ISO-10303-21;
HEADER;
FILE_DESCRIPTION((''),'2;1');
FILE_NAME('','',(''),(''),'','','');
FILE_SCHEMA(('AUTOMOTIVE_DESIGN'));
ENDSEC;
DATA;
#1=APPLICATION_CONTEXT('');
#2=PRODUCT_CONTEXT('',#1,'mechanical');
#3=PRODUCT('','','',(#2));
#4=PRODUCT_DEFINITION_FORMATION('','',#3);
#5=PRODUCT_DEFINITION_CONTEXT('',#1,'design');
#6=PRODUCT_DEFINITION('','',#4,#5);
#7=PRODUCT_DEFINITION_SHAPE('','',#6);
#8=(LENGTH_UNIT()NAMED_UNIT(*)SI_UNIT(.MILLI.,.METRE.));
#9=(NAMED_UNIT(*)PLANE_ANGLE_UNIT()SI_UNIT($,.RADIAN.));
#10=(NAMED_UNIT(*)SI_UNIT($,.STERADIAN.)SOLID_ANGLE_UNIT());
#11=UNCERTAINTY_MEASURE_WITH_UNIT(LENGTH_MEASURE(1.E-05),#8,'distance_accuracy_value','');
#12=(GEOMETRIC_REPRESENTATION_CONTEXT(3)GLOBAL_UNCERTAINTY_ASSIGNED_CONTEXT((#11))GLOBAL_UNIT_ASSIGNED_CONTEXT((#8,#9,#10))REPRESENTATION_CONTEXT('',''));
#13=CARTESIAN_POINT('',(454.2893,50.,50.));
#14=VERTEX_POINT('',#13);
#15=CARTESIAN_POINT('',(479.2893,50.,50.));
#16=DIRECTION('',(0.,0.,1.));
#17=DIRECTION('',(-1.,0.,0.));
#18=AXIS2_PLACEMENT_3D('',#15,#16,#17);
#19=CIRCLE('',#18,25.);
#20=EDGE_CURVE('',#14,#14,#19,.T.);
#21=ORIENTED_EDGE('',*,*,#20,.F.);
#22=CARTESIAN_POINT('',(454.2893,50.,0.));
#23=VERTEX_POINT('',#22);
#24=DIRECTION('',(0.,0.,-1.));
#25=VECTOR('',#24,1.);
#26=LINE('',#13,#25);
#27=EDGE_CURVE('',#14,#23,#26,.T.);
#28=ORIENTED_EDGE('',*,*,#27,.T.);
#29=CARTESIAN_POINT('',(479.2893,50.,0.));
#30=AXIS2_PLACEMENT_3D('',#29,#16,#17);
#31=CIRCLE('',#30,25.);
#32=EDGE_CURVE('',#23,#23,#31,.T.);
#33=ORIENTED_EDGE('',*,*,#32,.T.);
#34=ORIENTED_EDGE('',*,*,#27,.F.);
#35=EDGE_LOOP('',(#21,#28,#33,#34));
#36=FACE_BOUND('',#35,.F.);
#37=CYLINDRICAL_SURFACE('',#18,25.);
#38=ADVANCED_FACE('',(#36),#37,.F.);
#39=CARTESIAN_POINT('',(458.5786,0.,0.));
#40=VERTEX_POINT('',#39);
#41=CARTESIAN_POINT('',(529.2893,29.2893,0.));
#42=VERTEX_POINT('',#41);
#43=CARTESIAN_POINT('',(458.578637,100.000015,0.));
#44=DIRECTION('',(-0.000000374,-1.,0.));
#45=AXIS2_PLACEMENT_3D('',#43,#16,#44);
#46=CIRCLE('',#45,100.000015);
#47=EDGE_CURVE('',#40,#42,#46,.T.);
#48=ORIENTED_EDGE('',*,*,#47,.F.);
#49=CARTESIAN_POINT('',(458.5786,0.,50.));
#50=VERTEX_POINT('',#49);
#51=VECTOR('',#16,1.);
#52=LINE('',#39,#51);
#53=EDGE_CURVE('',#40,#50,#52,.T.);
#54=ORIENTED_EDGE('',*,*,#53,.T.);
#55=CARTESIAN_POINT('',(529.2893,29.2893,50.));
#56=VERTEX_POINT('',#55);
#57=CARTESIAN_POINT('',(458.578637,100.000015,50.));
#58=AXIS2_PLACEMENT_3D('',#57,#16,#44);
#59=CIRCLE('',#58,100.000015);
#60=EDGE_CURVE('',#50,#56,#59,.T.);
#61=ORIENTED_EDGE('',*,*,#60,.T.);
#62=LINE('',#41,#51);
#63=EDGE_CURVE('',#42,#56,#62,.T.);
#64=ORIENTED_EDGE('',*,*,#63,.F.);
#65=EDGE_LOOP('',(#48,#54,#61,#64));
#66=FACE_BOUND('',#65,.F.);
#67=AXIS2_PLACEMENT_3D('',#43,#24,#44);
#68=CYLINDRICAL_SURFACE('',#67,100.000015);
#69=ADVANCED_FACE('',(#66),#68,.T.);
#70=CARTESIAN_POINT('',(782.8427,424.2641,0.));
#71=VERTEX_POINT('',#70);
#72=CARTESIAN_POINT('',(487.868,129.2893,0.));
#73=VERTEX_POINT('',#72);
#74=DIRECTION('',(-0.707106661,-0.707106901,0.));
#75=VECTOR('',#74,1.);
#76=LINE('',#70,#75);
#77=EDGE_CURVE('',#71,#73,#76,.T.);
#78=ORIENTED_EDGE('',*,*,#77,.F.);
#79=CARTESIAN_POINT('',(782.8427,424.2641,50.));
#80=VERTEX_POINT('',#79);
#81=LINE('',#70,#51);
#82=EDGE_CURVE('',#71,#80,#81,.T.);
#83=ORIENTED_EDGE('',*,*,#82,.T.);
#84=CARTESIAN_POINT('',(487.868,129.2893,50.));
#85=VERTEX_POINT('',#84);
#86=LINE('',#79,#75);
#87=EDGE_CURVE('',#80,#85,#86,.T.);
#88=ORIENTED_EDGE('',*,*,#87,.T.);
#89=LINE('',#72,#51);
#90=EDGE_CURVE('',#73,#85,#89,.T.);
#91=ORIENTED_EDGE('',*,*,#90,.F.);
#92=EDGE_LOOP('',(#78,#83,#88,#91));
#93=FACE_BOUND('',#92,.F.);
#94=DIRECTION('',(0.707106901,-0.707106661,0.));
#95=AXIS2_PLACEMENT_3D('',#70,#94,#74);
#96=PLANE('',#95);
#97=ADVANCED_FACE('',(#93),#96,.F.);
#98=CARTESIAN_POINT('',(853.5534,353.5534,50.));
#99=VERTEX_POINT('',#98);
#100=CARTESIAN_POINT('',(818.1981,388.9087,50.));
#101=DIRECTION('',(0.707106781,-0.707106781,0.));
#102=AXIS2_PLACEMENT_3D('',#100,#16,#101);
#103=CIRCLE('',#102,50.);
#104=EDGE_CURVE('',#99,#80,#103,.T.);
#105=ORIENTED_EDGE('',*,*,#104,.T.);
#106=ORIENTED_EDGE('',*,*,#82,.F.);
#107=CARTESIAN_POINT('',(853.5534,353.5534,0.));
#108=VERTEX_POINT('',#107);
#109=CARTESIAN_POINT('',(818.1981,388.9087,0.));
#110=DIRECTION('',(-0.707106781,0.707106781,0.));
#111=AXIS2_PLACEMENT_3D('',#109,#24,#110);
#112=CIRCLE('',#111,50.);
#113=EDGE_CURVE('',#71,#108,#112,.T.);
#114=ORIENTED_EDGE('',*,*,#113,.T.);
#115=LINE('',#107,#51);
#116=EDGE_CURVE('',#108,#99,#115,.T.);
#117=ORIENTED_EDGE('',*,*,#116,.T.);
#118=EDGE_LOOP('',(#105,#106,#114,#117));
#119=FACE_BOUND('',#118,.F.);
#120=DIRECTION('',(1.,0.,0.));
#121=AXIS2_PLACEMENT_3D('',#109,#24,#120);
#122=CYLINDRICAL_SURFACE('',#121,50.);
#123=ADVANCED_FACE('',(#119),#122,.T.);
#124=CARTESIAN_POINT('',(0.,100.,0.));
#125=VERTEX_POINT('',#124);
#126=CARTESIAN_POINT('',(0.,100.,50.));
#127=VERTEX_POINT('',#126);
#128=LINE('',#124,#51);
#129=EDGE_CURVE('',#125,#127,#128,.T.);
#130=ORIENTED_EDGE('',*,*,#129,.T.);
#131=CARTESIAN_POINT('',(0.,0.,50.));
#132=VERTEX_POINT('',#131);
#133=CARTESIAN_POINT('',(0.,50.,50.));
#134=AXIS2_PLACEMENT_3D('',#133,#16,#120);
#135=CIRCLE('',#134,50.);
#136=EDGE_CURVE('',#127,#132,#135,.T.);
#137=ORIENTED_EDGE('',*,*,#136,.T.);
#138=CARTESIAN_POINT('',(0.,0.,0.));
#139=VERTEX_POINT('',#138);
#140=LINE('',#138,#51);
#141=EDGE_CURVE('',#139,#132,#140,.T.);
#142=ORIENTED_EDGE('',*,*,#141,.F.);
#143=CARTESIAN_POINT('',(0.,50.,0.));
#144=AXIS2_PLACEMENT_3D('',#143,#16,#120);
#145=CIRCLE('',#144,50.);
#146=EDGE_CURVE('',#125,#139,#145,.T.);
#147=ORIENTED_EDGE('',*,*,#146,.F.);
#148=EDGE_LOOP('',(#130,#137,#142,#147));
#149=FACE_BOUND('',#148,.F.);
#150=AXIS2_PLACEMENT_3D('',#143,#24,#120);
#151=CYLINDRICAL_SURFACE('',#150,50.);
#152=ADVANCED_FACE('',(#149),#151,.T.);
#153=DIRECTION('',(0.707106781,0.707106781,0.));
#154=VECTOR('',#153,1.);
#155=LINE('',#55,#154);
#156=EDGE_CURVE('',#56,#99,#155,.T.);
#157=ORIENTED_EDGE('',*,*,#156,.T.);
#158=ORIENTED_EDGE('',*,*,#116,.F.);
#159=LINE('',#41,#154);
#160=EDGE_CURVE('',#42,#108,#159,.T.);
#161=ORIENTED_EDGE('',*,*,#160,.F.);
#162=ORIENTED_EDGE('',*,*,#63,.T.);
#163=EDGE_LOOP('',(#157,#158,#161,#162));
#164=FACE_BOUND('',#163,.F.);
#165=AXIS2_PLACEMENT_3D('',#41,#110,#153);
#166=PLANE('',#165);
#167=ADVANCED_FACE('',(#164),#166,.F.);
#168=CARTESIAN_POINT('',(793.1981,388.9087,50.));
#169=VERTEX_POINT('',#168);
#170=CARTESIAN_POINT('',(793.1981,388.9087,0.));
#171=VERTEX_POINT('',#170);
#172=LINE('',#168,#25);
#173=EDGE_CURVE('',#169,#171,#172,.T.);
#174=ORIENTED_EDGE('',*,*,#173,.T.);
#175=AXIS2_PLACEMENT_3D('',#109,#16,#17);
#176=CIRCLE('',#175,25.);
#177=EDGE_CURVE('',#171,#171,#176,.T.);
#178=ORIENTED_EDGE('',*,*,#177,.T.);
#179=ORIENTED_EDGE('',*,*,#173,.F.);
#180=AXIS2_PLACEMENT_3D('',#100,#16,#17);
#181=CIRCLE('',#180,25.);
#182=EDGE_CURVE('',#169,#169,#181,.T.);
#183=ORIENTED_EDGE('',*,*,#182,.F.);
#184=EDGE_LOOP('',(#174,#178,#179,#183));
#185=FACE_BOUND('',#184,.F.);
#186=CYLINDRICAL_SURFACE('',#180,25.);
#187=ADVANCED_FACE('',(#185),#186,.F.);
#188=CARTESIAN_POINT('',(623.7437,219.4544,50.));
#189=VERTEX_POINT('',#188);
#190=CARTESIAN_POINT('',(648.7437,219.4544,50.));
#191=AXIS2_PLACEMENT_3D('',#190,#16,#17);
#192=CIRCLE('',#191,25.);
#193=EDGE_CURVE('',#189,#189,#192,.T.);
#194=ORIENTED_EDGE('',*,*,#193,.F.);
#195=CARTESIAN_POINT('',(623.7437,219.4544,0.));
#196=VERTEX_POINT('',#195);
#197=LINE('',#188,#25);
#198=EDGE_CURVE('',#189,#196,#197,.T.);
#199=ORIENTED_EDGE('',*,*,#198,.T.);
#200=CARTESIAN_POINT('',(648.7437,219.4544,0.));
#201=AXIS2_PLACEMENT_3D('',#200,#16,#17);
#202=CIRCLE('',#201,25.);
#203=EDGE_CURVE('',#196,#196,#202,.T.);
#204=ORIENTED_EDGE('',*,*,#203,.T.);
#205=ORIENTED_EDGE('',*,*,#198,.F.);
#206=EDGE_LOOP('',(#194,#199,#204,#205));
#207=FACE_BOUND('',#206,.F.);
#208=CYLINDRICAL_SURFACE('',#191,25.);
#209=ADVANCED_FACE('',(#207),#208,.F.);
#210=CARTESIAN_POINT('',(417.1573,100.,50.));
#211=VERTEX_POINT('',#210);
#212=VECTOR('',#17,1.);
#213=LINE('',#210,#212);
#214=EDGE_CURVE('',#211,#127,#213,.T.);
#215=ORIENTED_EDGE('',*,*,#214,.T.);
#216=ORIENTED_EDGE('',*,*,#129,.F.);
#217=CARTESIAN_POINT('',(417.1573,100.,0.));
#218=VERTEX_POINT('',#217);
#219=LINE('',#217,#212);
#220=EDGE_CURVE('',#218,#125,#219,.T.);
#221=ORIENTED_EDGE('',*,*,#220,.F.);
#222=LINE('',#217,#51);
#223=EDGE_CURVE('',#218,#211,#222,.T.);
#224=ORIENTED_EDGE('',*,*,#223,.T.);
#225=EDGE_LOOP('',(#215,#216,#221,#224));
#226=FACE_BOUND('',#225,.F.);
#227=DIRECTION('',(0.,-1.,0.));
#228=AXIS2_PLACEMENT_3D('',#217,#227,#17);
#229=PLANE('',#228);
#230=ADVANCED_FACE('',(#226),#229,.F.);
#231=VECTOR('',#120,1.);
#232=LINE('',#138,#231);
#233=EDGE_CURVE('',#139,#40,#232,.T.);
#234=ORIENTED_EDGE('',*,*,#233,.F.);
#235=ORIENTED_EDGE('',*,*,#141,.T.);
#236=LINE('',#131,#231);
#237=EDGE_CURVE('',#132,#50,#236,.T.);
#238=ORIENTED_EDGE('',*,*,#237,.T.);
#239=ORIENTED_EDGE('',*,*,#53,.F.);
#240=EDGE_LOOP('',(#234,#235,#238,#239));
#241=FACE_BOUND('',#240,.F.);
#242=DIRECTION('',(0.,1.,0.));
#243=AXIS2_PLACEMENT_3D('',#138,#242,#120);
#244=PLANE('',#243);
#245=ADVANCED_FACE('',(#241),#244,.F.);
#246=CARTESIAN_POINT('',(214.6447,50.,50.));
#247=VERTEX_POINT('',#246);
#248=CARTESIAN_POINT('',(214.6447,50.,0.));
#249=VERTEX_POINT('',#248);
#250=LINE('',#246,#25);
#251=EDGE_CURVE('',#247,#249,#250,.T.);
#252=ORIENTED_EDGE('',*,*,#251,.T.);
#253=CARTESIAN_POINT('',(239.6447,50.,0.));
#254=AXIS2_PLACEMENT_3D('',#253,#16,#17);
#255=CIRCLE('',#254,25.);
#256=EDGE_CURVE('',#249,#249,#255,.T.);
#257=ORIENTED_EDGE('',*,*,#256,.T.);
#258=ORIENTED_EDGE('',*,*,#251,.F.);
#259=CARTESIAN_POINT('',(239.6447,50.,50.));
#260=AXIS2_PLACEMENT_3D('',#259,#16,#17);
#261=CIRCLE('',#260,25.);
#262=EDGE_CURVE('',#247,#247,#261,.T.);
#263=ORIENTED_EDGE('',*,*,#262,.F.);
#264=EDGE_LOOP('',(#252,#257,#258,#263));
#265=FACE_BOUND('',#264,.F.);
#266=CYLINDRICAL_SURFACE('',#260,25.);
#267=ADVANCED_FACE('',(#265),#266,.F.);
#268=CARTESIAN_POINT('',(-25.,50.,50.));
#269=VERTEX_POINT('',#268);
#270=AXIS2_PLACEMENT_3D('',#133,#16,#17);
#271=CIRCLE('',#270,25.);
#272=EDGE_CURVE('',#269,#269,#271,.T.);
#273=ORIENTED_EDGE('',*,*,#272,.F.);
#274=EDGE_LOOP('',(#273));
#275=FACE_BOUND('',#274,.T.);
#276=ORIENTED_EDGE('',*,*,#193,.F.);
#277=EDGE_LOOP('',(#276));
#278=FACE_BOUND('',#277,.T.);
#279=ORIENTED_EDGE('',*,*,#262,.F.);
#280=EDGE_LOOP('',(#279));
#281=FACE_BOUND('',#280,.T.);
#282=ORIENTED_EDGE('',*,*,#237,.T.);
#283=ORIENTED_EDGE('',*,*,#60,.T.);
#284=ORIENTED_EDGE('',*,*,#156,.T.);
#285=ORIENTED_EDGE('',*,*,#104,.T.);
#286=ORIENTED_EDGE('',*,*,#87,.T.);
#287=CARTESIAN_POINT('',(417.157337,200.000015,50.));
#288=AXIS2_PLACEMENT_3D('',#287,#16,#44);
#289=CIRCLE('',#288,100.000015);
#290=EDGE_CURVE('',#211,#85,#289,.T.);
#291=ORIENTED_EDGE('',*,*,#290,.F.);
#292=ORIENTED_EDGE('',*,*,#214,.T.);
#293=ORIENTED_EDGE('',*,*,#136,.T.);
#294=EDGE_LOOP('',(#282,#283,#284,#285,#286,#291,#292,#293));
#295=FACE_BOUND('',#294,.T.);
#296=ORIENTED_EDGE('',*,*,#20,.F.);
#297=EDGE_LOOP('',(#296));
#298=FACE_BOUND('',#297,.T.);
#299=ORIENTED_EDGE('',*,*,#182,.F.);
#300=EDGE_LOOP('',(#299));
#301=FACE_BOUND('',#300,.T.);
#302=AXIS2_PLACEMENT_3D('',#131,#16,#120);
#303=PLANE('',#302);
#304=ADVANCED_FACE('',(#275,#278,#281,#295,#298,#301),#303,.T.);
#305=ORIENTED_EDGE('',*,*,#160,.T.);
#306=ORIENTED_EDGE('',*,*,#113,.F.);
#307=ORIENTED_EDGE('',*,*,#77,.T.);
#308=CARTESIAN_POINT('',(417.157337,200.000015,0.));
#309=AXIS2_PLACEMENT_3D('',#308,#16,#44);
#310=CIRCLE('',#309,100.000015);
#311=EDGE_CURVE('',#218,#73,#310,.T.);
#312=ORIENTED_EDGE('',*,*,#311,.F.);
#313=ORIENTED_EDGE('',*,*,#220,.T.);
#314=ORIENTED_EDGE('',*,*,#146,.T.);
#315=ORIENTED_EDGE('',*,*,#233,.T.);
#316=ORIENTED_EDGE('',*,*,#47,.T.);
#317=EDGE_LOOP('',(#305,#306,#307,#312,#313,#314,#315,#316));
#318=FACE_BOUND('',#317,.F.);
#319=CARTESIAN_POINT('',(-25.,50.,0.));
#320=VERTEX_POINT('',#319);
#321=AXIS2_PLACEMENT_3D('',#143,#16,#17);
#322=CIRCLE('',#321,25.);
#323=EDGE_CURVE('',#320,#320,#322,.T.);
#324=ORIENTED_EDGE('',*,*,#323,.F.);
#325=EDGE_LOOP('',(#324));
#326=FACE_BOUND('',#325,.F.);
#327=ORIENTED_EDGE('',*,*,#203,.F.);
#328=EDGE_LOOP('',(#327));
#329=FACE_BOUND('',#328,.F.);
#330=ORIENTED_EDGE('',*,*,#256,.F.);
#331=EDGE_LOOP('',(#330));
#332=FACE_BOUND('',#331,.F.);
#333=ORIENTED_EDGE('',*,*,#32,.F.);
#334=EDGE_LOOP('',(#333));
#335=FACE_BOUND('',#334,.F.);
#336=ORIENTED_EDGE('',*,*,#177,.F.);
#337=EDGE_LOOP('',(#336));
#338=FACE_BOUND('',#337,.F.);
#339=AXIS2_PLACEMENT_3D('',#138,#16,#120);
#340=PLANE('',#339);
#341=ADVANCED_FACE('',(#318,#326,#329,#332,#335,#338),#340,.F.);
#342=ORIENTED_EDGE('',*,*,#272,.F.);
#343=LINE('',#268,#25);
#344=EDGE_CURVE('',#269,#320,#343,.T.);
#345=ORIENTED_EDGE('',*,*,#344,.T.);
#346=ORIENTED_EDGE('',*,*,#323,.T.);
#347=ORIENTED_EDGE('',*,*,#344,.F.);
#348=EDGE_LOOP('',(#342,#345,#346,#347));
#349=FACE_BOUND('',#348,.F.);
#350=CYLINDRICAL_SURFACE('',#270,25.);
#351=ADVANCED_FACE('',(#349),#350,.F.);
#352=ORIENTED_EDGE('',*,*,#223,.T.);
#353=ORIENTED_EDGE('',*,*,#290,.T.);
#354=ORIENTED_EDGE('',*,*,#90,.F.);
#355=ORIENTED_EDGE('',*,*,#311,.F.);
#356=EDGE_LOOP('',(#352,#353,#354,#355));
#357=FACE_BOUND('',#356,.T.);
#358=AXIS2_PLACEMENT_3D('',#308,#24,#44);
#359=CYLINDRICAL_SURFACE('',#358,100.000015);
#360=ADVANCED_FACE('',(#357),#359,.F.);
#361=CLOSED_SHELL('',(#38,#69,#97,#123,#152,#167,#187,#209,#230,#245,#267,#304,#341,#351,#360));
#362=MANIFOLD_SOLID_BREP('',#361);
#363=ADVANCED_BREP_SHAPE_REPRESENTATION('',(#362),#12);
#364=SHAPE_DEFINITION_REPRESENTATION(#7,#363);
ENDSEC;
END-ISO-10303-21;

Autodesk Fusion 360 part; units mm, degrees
sketch "Sketch1" plane through (0, 0, 0) normal (0, 0, 1) x (1, 0, 0)
  line L0 (0, 0) -> (458.5786, 0)
  line L1 (529.2893, 29.2893) -> (853.5534, 353.5534)
  line L2 (853.5534, 353.5534) -> (782.8427, 424.2641) construction
  line L3 (782.8427, 424.2641) -> (487.868, 129.2893)
  line L4 (417.1573, 100) -> (0, 100)
  line L5 (0, 100) -> (0, 0) construction
  circle A0 centre (818.1981, 388.9087) radius 50
  circle A1 centre (0, 50) radius 50
  arc A2 (417.1573, 100) -> (487.868, 129.2893) centre (417.1573, 200) ccw
  arc A3 (458.5786, 0) -> (529.2893, 29.2893) centre (458.5786, 100) ccw
  dimension "d1" = 45
  dimension "d2" = 100
  dimension "d3" = 100
  dimension "d4" = 100
  dimension "d5" = 100
extrude "Extrude1" add sketch "Sketch1" along normal blind 50
sketch "Sketch2" plane through (0, 0, 50) normal (0, 0, 1) x (-1, 0, 0)
  line L0 (-417.1573, -100) -> (0, -100)
  arc A0 (0, -100) -> (0, 0) centre (0, -50) ccw
  line L1 (0, 0) -> (-458.5786, 0)
  arc A1 (-458.5786, 0) -> (-529.2893, -29.2893) centre (-458.5786, -100) ccw
  line L2 (-529.2893, -29.2893) -> (-853.5534, -353.5534)
  arc A2 (-853.5534, -353.5534) -> (-782.8427, -424.2641) centre (-818.1981, -388.9087) ccw
  line L3 (-782.8427, -424.2641) -> (-487.868, -129.2893)
  arc A3 (-417.1573, -100) -> (-487.868, -129.2893) centre (-417.1573, -200) ccw
  line L4 (0, -50) -> (-479.2893, -50) construction
  line L5 (-479.2893, -50) -> (-818.1981, -388.9087) construction
  circle A4 centre (0, -50) radius 25
  circle A5 centre (-239.6447, -50) radius 25
  circle A6 centre (-479.2893, -50) radius 25
  circle A7 centre (-648.7437, -219.4544) radius 25
  circle A8 centre (-818.1981, -388.9087) radius 25
  dimension "d8" = 50
  dimension "d9" = 50
  dimension "d10" = 50
  dimension "d11" = 50
  dimension "d12" = 50
extrude "Extrude2" cut sketch "Sketch2" against normal blind 200 contours A4 | A5 | A6 | A7 | A8
